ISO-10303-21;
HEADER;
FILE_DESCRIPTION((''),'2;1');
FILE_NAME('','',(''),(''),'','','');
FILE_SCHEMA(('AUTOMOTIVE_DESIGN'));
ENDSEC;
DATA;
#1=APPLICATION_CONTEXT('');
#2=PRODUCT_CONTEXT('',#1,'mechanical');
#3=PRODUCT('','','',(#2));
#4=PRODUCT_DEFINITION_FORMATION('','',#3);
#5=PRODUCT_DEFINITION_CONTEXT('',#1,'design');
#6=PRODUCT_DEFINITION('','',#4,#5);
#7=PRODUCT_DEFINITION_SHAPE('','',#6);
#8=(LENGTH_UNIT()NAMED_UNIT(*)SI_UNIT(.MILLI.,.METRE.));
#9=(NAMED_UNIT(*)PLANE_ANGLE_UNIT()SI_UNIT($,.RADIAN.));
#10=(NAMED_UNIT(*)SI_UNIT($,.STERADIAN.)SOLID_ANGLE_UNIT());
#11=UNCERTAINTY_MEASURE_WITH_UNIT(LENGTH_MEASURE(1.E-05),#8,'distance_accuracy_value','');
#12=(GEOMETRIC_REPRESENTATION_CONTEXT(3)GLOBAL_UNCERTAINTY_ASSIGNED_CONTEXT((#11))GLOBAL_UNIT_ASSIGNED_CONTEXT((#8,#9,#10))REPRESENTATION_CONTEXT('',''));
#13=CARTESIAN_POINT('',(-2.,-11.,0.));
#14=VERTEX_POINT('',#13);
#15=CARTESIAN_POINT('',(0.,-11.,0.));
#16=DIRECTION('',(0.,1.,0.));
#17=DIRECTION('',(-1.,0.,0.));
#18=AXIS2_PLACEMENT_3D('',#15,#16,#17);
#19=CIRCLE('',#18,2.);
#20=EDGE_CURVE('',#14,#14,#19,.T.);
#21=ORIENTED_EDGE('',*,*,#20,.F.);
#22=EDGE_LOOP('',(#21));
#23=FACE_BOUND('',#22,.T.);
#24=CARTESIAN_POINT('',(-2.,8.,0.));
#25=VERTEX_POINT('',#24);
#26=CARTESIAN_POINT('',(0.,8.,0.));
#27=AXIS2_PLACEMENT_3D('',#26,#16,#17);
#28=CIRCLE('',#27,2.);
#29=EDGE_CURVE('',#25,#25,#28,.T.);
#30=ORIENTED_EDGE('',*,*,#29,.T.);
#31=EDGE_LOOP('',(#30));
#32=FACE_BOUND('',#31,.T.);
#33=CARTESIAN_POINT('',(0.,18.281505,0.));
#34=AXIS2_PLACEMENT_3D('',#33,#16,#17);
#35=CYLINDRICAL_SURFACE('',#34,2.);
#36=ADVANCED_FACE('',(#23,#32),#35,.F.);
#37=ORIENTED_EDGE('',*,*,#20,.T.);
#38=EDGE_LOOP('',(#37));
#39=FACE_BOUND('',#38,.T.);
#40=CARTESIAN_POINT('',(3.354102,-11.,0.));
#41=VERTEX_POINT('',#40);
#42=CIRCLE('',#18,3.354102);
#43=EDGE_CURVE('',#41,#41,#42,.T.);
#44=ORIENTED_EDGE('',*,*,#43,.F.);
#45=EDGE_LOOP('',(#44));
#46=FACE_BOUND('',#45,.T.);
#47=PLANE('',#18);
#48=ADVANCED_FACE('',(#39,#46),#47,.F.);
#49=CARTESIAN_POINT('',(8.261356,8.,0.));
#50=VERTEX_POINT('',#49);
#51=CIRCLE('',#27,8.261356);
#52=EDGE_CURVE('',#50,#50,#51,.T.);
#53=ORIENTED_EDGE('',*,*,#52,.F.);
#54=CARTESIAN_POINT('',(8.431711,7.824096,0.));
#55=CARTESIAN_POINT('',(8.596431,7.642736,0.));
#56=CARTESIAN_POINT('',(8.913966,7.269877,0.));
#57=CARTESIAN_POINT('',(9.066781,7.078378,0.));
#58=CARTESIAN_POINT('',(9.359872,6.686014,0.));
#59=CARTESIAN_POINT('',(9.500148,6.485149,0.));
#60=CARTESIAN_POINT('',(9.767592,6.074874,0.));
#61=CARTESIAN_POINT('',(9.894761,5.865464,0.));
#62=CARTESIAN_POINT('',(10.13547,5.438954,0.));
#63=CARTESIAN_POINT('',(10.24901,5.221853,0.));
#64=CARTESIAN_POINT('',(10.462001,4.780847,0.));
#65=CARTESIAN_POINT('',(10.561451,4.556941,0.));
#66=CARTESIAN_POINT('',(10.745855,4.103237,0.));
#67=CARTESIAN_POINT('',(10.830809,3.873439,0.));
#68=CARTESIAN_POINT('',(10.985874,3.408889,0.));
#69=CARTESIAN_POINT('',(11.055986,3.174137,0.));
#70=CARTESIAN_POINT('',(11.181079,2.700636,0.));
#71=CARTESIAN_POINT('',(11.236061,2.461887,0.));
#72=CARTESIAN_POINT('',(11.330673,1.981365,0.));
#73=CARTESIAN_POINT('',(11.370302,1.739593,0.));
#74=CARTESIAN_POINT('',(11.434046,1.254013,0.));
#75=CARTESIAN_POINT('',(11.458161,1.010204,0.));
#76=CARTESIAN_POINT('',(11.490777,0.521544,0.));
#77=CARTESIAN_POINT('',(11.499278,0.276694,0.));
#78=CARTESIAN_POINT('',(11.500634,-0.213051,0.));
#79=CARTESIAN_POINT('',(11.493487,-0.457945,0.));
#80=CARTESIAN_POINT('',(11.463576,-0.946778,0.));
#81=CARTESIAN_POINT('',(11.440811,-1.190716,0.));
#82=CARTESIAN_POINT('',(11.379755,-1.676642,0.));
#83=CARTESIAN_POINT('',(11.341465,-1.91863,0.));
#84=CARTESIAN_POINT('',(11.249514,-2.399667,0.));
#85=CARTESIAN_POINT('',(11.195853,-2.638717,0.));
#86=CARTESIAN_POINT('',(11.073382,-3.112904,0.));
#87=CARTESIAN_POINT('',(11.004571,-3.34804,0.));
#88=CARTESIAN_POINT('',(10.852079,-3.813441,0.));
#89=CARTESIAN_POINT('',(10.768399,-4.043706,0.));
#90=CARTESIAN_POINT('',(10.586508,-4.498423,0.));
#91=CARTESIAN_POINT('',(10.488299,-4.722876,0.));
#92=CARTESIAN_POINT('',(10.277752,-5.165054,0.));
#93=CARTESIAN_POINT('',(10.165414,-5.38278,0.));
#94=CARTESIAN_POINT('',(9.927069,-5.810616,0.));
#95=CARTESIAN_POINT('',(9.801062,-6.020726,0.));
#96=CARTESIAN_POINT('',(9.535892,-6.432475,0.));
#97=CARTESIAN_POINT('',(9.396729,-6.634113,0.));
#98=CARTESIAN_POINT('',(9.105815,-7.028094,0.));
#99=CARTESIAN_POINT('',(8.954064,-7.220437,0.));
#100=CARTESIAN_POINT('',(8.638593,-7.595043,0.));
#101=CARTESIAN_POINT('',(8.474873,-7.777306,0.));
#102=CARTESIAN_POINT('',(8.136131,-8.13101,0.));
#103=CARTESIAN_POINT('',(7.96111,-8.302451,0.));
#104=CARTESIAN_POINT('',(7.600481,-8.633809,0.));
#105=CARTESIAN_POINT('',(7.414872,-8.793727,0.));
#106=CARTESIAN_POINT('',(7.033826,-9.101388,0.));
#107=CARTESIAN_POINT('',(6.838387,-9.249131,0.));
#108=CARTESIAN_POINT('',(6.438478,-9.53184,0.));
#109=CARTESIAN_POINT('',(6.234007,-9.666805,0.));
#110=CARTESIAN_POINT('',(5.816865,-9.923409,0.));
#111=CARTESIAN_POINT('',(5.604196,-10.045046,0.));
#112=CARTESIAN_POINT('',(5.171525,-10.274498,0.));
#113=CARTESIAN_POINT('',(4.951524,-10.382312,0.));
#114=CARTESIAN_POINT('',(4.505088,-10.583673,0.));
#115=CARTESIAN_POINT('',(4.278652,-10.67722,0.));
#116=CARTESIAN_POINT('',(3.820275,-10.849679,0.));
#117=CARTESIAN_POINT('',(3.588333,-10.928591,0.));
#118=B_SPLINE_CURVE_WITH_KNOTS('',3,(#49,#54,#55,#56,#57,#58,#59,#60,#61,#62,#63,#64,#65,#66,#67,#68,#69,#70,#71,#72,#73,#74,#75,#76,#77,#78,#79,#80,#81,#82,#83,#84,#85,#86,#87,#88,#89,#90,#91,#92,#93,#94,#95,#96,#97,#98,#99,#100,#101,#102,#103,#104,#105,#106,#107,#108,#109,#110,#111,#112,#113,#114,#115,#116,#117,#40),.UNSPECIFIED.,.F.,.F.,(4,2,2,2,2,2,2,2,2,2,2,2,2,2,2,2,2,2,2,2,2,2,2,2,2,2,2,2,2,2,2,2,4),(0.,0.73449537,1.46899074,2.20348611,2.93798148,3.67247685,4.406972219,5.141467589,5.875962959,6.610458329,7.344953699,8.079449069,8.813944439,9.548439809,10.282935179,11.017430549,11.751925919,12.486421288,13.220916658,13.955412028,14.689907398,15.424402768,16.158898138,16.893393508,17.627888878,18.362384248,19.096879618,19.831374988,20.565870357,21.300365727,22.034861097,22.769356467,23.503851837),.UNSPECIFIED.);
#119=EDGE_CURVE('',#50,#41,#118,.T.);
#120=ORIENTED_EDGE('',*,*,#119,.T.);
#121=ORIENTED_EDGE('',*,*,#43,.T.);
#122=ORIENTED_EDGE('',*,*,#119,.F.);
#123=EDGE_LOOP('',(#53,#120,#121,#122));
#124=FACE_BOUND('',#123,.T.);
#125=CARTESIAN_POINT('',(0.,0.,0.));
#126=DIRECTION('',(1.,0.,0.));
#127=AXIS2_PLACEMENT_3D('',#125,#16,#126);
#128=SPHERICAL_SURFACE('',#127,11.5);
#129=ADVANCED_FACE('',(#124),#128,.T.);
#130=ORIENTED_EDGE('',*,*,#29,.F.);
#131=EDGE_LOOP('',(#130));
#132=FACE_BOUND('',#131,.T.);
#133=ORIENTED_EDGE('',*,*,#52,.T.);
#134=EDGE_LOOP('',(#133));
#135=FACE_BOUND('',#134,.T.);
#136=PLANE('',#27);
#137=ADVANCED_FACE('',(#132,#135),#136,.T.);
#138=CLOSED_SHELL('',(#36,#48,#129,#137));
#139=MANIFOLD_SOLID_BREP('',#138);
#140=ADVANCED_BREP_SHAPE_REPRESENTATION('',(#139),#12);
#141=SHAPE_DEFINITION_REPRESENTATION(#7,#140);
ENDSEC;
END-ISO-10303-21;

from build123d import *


with BuildPart() as part:
    # Sketch1 → Revolve1 (revolve)
    with BuildSketch(Plane.XY):
        with BuildLine():
            Line((2, -11), (3.354101966, -11))
            ThreePointArc((3.354101966, -11), (11.134617861, -2.875810338), (8.261355821, 8))
            Line((8.261355821, 8), (2, 8))
            Line((2, 8), (2, 2.415501525))
            Line((2, 2.415501525), (2, -11))
        make_face()
    revolve(axis=Axis((0, 18.281505275, 0), (0, -1, 0)))


solid = part.part
